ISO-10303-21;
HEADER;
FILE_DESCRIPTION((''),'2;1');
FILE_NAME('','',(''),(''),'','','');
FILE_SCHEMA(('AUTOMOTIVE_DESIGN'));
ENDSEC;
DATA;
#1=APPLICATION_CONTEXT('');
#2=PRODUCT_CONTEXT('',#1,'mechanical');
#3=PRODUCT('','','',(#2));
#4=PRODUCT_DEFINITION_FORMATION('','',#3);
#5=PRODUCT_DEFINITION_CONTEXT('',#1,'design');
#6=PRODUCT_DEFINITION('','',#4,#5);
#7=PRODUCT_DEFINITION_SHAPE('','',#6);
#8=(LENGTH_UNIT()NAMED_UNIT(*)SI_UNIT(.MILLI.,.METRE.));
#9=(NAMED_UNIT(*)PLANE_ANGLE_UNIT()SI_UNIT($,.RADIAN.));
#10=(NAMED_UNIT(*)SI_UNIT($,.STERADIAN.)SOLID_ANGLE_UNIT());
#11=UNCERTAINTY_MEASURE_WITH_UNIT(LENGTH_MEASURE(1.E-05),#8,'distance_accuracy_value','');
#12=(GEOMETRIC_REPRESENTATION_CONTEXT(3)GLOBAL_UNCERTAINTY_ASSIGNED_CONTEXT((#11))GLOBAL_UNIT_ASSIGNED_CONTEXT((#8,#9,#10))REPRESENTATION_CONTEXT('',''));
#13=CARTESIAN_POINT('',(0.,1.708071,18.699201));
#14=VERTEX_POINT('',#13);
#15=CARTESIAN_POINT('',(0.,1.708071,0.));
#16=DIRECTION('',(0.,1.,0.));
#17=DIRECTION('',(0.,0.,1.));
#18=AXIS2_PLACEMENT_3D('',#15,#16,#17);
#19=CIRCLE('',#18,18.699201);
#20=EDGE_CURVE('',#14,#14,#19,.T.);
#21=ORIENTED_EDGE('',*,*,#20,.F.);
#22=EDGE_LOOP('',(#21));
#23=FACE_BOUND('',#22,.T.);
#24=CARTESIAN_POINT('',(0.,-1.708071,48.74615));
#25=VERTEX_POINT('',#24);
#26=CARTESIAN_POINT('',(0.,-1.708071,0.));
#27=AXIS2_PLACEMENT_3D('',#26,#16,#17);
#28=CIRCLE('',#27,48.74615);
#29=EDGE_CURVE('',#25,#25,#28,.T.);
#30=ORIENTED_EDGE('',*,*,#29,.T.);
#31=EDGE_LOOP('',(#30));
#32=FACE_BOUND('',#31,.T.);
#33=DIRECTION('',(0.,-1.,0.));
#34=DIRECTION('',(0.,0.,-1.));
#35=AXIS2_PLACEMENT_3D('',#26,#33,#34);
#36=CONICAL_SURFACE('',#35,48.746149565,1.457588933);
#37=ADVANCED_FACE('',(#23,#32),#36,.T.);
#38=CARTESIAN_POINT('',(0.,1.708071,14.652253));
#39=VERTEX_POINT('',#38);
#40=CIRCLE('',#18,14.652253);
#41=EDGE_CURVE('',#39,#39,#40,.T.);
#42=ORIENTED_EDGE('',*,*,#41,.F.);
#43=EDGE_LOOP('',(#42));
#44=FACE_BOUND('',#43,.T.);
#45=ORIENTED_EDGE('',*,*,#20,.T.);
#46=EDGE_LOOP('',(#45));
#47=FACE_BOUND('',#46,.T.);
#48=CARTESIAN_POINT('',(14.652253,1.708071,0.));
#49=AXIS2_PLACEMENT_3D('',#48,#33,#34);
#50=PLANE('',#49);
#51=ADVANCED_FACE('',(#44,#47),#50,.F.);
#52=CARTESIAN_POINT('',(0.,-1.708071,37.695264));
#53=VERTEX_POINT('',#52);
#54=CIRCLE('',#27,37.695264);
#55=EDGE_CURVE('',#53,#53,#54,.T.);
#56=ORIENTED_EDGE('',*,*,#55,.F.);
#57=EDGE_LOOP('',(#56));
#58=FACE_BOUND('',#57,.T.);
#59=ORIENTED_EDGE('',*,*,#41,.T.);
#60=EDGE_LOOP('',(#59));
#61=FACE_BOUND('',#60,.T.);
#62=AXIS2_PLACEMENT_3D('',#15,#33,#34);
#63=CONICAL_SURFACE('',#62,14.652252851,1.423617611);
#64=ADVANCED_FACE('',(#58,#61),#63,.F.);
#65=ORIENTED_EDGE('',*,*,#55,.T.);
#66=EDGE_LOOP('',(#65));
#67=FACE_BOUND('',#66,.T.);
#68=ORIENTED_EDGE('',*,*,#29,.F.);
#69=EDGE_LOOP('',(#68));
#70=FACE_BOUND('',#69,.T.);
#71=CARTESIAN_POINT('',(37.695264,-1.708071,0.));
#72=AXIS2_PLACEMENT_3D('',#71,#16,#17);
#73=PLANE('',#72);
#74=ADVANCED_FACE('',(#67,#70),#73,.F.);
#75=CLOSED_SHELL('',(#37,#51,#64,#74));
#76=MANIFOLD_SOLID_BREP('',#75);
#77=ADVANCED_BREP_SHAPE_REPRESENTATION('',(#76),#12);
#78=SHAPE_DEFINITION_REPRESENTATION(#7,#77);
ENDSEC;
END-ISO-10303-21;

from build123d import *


with BuildPart() as part:
    # 草图1 → 旋转1 (revolve)
    with BuildSketch(Plane.XY, mode=Mode.PRIVATE) as revolve_1_sk:
        Polygon((14.652252851, 1.708071429), (18.699201208, 1.708071429), (48.746149565, -1.708071429), (37.695264246, -1.708071429), align=None)
    revolve(revolve_1_sk.sketch.rotate(Axis((0, 0, 0), (0, -1, 0)), 90), axis=Axis((0, 0, 0), (0, -1, 0)))


solid = part.part
